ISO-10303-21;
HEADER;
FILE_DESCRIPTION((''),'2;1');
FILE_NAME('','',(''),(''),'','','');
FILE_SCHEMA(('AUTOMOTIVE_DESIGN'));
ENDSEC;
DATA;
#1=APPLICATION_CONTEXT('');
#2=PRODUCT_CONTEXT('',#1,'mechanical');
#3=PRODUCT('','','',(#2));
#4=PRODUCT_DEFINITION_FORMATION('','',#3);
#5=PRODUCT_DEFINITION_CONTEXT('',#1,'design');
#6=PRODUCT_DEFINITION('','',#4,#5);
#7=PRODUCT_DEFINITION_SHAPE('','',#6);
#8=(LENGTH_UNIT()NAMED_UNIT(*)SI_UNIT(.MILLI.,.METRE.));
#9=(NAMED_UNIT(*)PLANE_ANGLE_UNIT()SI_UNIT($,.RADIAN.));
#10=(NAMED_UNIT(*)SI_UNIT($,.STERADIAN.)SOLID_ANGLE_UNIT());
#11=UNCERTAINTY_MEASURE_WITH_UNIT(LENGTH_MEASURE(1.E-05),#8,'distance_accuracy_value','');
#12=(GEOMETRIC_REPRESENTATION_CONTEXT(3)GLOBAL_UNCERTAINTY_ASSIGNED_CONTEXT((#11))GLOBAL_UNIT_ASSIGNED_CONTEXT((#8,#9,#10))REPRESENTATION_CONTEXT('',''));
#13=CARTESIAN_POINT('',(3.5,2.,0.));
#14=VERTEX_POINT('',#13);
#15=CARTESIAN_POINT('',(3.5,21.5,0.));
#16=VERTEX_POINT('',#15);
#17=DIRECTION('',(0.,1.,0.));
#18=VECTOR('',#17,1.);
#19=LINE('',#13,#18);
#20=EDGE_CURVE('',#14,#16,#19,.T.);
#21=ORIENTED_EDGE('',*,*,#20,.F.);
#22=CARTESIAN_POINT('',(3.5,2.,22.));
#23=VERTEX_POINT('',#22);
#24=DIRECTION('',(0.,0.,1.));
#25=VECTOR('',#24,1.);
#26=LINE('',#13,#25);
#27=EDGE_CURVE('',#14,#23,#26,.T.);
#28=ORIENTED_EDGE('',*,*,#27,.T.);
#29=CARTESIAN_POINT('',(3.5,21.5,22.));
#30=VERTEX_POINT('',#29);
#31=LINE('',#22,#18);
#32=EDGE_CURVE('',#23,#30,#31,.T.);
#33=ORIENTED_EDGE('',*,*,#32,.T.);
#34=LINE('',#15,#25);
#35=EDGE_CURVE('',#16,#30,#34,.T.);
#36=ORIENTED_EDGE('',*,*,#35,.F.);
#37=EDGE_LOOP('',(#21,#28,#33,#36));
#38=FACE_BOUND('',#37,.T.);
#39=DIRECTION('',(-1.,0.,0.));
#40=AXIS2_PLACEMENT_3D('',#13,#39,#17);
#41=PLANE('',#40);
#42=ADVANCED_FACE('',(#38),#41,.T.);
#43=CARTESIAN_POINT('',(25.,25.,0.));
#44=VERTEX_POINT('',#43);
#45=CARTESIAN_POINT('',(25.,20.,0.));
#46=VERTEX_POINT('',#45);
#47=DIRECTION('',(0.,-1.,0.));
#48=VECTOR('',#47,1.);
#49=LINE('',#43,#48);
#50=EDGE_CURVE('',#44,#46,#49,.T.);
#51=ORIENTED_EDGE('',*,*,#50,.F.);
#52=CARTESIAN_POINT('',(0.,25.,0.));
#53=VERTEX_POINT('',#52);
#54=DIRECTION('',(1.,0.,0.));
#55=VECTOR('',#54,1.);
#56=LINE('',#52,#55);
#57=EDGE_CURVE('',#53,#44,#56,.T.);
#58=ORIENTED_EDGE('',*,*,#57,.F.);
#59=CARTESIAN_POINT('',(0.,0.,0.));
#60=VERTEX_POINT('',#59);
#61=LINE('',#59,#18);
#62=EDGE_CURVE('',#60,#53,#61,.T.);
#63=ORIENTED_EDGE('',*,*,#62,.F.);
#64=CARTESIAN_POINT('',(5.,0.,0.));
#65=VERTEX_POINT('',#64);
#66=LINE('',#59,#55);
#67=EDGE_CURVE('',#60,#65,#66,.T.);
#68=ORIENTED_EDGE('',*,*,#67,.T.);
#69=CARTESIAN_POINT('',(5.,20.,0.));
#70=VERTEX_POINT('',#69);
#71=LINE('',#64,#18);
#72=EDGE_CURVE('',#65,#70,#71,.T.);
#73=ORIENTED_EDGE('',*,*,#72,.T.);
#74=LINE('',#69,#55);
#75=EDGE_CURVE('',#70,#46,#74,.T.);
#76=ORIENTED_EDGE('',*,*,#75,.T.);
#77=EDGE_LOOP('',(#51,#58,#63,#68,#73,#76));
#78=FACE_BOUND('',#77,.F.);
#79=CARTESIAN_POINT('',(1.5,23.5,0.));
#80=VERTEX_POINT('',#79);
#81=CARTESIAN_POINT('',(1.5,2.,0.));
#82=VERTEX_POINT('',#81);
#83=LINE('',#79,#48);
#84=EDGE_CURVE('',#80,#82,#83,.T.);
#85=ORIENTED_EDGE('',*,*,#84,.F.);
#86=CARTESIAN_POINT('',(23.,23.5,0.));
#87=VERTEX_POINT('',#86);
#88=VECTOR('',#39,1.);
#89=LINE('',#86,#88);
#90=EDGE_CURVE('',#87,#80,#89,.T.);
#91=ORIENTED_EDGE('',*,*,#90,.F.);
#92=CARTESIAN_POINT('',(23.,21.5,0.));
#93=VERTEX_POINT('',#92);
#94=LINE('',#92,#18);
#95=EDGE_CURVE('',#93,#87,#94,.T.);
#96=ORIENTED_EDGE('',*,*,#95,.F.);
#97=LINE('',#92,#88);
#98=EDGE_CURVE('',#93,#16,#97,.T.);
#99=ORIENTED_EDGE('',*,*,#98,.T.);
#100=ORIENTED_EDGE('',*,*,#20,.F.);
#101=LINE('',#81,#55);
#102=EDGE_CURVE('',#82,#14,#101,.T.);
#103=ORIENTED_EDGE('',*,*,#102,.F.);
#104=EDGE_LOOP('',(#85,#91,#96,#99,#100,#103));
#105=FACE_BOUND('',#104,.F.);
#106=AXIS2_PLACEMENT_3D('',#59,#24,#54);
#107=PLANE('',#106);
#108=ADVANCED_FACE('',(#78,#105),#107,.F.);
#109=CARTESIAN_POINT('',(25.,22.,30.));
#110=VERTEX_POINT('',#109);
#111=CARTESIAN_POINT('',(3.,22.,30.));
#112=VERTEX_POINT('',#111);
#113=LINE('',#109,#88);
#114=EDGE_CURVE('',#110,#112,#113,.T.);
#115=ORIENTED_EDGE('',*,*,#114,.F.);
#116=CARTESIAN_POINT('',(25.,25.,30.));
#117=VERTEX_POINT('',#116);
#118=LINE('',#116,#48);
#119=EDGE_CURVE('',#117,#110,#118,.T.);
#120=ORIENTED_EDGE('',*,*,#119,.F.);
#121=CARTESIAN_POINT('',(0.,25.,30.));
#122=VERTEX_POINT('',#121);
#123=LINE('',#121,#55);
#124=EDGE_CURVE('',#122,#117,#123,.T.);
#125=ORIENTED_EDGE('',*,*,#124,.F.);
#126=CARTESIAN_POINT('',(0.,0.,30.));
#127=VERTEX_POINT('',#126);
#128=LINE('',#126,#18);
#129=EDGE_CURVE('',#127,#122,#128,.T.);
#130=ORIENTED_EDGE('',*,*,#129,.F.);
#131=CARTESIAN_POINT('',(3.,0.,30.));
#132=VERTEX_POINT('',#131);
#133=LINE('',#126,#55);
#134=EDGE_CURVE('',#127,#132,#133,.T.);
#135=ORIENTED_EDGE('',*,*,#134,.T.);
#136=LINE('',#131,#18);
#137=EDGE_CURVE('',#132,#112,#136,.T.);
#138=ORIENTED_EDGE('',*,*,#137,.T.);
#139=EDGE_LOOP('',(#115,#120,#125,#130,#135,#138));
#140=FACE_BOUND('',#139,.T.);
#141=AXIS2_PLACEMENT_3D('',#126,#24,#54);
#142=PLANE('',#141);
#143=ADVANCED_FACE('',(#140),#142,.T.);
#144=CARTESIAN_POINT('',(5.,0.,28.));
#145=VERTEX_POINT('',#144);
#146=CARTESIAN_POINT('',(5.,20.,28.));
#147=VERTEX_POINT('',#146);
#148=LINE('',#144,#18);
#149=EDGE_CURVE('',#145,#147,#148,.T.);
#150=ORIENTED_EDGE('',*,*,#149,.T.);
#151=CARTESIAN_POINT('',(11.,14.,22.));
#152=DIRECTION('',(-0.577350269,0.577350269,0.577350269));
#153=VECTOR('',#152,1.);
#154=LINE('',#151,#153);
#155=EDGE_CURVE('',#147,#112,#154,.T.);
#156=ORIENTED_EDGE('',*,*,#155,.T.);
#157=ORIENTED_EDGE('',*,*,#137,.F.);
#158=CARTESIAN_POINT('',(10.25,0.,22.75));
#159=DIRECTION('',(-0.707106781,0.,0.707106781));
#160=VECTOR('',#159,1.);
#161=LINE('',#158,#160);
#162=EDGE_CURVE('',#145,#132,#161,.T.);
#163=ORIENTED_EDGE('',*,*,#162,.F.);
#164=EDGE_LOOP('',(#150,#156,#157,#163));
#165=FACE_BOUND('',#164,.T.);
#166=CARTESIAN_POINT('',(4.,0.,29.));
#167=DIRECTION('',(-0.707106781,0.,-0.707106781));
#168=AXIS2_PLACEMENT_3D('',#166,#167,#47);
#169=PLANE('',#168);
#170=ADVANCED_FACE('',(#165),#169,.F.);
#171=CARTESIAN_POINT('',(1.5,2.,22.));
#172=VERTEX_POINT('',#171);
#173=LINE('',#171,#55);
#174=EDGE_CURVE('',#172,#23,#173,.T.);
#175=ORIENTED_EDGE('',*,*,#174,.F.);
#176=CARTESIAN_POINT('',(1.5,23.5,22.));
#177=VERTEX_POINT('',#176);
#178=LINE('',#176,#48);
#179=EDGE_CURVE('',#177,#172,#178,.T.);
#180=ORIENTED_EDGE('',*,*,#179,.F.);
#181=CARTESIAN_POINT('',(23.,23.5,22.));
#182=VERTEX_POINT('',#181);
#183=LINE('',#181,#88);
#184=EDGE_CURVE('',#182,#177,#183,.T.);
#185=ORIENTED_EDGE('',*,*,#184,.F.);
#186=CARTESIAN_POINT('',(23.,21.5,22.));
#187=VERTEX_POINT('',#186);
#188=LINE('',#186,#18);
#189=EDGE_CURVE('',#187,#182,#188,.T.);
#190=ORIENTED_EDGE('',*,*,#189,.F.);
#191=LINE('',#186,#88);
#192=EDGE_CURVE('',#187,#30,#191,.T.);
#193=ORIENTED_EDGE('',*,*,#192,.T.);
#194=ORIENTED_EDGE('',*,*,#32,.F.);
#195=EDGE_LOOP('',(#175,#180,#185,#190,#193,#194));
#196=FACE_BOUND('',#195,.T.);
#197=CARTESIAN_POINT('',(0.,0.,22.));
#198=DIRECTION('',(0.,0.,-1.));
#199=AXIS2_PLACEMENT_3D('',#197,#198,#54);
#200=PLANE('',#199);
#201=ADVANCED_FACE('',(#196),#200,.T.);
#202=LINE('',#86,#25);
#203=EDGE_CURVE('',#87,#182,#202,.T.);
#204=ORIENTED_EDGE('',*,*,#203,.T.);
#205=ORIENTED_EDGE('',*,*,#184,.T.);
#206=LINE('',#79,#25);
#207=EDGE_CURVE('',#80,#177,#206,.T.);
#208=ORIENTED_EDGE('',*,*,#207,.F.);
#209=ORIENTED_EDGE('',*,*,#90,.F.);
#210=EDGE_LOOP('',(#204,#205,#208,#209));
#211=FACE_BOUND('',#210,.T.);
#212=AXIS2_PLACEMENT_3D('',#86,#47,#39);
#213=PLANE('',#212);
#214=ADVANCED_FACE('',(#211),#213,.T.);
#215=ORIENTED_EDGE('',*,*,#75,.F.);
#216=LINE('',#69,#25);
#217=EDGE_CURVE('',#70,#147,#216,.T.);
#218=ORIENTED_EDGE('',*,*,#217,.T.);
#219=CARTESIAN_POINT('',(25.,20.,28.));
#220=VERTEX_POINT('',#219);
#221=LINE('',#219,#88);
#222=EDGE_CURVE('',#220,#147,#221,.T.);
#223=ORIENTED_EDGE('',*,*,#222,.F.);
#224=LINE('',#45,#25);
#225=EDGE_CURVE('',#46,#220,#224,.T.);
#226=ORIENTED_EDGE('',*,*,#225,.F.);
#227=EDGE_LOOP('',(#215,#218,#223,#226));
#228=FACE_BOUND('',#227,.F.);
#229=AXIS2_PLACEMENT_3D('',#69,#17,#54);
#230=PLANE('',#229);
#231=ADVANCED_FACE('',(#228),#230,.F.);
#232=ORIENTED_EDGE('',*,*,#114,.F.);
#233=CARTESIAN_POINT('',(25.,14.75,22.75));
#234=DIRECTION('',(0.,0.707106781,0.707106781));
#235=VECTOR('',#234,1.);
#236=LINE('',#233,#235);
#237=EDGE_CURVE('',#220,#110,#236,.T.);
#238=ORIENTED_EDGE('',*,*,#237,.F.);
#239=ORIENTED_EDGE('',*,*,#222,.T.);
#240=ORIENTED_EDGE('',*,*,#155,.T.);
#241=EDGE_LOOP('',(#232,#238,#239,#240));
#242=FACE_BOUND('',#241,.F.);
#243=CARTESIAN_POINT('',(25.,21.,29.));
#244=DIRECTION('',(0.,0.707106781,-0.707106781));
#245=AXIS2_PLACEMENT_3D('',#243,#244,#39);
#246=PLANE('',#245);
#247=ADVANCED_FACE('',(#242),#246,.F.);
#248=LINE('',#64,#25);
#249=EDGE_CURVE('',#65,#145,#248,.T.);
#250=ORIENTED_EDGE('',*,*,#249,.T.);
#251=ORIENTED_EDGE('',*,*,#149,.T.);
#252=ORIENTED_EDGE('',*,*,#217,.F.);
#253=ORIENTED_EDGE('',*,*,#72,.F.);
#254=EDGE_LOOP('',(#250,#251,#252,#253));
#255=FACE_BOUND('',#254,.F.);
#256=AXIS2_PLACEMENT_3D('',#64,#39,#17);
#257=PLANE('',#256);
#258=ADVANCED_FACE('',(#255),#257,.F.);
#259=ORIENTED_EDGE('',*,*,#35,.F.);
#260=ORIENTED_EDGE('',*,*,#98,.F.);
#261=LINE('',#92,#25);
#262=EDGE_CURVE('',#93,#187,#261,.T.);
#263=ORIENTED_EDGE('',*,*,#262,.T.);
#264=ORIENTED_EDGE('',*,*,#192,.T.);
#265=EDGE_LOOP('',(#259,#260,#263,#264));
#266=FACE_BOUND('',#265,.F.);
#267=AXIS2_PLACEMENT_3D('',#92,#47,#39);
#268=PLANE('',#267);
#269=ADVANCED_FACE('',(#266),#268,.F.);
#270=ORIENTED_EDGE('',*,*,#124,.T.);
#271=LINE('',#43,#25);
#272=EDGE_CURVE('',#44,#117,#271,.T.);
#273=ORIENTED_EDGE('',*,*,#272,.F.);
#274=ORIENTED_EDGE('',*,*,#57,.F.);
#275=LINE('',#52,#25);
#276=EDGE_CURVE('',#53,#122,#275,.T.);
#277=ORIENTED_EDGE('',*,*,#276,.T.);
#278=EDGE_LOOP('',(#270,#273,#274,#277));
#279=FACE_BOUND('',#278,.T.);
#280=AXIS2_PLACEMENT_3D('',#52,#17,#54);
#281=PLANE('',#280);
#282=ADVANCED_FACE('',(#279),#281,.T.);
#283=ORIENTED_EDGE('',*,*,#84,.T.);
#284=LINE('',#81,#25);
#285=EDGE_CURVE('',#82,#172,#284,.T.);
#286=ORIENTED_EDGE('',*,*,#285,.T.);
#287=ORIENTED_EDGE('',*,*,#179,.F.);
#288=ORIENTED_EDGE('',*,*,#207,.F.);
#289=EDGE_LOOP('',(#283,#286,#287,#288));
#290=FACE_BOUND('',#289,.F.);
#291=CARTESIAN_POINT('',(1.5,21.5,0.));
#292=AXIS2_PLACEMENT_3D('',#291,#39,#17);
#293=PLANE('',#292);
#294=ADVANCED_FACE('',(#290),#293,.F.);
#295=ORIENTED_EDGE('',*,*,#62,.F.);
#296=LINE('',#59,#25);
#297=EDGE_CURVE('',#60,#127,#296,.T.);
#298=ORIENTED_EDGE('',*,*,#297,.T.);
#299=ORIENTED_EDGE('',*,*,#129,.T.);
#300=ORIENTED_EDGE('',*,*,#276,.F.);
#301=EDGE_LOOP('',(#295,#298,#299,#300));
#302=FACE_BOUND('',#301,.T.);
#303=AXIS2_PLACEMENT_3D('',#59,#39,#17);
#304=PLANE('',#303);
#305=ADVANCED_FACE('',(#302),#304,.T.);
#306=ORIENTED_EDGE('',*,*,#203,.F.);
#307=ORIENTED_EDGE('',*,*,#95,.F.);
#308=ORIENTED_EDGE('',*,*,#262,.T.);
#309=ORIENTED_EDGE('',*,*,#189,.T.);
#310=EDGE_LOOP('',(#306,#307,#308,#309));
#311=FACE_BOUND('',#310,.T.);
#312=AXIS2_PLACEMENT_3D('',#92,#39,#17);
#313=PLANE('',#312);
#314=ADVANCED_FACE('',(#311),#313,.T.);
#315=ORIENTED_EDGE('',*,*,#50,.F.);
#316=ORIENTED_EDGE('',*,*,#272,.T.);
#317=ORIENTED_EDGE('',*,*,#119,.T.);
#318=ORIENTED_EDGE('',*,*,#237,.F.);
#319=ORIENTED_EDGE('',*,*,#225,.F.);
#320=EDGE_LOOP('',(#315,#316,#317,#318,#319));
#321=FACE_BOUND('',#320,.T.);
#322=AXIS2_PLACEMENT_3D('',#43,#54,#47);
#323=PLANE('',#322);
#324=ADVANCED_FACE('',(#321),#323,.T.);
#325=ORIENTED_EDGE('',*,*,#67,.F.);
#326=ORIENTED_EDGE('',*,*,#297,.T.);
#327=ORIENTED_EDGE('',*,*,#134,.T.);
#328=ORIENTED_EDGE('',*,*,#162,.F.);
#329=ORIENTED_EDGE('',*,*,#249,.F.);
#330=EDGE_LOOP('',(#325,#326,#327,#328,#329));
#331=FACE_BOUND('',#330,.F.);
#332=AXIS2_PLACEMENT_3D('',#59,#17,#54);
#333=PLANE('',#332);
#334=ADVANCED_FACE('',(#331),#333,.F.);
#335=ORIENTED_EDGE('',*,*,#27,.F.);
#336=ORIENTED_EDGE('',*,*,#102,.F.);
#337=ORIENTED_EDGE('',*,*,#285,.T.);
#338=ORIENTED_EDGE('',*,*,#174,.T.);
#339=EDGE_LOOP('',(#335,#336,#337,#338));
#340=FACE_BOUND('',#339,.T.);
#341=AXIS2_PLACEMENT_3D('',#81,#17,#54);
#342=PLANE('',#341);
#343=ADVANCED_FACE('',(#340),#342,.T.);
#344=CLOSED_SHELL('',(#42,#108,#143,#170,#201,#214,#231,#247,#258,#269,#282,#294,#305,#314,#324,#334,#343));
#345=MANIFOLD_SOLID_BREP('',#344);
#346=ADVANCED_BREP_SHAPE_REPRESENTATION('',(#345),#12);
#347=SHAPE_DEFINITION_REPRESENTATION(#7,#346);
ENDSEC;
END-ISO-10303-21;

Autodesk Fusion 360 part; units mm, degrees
sketch "Sketch1" plane through (0, 0, 0) normal (0, 0, 1) x (1, 0, 0)
  line L0 (0, 0) -> (0, 25)
  line L1 (0, 25) -> (25, 25)
  line L2 (25, 25) -> (25, 20)
  line L3 (0, 0) -> (5, 0)
  line L4 (5, 0) -> (5, 20)
  line L5 (5, 20) -> (25, 20)
  dimension "d5" = 25
  dimension "d6" = 25
  dimension "d7" = 5
  dimension "d8" = 5
extrude "Extrude1" add sketch "Sketch1" along normal blind 30
chamfer "Chamfer1" distance 2 angle 45 1 edges at (5, 10, 30)
chamfer "Chamfer2" distance 2 angle 45 1 edges at (14, 20, 30)
sketch "Sketch2" plane through (0, 0, 0) normal (0, 0, -1) x (1, 0, 0)
  line L0 (5, 0) -> (0, 0)
  line L1 (0, 0) -> (0, -25)
  line L2 (0, -25) -> (25, -25)
  line L3 (25, -25) -> (25, -20)
  line L4 (25, -20) -> (5, -20)
  line L5 (5, -20) -> (5, 0)
  line L6 (1.5, -2) -> (3.5, -2)
  line L7 (1.5, -21.5) -> (1.5, -23.5)
  line L8 (23, -21.5) -> (23, -23.5)
  line L9 (3.5, -2) -> (3.5, -21.5)
  line L10 (1.5, -2) -> (1.5, -21.5)
  line L11 (23, -21.5) -> (3.5, -21.5)
  line L12 (23, -23.5) -> (1.5, -23.5)
  dimension "d13" = 2
  dimension "d14" = 1.5
  dimension "d18" = 1.5
  dimension "d19" = 2
  dimension "d20" = 2
  dimension "d21" = 2
extrude "Extrude2" cut sketch "Sketch2" against normal blind 22 contours L6 L7 L8 L9 L10 L11 L12
